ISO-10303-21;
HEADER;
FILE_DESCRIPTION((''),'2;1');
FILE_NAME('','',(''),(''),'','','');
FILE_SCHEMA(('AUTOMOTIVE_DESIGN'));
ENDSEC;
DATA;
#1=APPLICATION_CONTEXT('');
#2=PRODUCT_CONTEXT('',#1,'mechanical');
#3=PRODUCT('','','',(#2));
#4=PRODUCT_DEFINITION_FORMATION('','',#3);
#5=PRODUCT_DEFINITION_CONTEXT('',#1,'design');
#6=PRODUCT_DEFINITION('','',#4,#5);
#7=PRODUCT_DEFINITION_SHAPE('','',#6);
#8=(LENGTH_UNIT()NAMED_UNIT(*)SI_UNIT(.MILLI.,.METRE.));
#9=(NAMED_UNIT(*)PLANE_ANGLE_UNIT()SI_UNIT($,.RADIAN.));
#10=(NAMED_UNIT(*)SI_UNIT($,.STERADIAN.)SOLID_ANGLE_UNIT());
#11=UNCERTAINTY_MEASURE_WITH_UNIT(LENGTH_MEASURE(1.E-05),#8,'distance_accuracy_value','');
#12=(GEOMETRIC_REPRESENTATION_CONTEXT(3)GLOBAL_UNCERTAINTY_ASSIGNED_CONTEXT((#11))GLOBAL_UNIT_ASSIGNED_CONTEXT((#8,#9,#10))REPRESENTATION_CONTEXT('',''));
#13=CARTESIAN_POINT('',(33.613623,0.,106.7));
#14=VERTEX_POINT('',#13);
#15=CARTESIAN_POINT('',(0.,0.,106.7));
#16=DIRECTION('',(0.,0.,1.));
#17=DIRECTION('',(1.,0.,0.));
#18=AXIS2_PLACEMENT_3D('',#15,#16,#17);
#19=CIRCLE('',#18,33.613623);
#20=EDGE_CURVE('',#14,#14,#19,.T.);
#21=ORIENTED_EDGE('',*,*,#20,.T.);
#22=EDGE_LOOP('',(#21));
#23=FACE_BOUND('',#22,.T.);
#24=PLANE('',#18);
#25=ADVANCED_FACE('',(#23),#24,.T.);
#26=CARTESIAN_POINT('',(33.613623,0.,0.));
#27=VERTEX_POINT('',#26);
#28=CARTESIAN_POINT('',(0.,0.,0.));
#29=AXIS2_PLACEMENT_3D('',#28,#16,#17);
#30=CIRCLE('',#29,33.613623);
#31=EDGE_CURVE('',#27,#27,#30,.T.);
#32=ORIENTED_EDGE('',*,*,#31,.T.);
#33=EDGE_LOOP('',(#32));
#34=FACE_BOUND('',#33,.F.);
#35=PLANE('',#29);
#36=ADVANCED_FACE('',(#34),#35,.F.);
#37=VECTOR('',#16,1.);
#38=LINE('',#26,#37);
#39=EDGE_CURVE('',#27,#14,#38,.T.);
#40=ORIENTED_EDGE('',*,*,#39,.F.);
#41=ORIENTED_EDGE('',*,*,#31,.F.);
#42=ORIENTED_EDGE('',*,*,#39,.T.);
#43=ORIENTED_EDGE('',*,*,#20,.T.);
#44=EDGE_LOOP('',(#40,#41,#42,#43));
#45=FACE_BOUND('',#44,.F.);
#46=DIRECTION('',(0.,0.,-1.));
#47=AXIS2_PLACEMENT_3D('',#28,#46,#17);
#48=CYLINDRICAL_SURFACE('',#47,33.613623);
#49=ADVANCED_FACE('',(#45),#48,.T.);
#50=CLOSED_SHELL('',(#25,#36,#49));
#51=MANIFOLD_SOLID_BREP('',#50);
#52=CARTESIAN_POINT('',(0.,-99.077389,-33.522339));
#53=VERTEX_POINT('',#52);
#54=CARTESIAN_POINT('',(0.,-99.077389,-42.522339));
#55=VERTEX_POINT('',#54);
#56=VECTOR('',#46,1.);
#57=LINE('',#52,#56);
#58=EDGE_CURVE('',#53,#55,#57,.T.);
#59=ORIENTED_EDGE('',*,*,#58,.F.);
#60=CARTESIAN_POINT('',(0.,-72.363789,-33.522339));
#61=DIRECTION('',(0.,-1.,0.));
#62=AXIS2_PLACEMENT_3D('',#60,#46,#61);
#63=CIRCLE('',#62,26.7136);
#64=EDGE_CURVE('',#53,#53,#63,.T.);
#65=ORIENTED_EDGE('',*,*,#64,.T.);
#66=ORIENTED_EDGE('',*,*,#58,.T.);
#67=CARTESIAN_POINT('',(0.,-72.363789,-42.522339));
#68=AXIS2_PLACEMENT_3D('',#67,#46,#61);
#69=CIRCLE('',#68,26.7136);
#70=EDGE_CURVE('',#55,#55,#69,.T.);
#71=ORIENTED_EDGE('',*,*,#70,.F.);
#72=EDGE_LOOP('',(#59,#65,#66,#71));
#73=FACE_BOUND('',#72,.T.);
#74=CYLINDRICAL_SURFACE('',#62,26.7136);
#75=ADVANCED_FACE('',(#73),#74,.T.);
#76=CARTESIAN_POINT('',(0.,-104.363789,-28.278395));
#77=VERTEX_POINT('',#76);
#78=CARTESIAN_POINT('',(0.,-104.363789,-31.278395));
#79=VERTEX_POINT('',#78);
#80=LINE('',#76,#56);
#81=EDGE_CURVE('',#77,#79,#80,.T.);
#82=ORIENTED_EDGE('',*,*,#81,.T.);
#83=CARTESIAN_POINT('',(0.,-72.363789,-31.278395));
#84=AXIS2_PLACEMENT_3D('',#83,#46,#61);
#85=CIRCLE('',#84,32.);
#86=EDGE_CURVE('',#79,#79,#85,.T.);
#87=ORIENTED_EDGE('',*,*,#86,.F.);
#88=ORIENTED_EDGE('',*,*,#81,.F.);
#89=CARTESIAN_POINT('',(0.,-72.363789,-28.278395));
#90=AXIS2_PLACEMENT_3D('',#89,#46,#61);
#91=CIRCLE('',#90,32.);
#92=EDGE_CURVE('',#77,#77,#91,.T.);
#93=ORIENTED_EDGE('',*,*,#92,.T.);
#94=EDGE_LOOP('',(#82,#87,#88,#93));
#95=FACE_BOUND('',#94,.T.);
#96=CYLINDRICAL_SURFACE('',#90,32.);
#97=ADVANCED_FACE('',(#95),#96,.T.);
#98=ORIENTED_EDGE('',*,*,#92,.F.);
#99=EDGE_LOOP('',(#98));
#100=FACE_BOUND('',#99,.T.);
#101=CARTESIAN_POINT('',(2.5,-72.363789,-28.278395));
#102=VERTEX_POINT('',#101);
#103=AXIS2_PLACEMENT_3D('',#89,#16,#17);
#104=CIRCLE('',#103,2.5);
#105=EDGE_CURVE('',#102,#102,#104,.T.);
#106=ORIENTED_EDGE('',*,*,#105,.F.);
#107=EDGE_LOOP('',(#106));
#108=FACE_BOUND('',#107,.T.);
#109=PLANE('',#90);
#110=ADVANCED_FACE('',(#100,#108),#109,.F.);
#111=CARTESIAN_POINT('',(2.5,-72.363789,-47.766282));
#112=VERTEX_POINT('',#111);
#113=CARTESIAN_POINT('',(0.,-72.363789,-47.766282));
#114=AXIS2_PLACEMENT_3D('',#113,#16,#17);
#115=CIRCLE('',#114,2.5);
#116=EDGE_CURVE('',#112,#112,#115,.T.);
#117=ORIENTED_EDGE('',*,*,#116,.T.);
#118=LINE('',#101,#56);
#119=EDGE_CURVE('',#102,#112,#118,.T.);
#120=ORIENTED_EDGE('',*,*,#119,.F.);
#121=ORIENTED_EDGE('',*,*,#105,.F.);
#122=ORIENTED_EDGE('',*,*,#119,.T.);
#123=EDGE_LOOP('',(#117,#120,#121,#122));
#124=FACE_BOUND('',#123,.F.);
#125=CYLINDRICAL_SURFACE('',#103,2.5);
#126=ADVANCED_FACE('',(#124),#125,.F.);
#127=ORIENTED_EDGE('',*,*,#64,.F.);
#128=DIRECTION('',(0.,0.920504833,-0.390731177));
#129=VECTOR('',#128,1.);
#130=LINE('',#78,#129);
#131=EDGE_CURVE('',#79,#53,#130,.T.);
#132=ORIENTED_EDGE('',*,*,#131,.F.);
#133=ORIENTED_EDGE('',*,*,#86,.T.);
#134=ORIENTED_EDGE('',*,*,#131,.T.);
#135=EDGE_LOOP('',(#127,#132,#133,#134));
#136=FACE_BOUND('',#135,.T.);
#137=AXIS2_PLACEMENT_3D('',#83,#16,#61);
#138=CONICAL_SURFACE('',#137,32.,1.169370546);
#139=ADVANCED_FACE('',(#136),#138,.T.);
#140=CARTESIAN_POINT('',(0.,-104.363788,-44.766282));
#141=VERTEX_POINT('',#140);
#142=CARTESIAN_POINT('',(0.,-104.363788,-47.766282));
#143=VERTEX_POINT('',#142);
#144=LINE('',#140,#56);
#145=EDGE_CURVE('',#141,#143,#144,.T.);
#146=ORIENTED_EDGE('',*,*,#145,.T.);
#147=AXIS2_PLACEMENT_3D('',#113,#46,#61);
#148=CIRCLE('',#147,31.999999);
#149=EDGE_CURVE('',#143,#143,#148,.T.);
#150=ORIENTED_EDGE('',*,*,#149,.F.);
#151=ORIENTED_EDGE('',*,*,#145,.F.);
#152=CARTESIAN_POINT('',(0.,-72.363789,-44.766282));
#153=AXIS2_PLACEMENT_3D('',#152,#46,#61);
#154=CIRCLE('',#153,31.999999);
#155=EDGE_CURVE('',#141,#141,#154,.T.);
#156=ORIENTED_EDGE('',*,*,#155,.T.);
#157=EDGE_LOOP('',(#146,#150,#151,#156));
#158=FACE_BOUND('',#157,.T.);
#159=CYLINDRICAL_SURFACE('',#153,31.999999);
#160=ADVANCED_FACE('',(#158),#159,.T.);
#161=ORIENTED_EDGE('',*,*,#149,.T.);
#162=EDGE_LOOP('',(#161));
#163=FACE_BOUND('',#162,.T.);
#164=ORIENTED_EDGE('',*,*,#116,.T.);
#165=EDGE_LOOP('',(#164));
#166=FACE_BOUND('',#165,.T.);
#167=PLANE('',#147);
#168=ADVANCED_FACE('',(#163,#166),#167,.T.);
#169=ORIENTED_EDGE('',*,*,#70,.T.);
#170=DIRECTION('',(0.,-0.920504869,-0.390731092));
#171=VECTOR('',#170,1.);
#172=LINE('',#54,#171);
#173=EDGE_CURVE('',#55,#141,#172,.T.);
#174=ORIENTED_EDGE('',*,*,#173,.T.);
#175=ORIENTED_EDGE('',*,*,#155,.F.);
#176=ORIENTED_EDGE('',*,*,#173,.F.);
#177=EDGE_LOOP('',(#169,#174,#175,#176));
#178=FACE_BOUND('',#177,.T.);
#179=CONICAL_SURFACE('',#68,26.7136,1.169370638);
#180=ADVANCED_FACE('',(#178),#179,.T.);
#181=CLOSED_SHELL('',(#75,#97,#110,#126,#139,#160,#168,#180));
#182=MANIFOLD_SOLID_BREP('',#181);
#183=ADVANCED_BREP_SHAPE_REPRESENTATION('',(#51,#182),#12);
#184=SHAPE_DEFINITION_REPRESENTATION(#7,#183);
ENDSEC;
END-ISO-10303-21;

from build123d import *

# Parameters (mm, degrees)
F0_R     = 33.613623
F1_DEPTH = 106.7
F4_R     = 2.5
F5_DEPTH = 27.2


with BuildPart() as f1:
    # F0 (on Top) → F1 (new body)
    with BuildSketch(Plane.XY):
        Circle(F0_R)
    extrude(amount=F1_DEPTH)


with BuildPart() as f3:
    # F2 (on Right) → F3 (revolve)
    with BuildSketch(Plane.YZ):
        Polygon((-72.363789, -28.278395), (-104.363789, -28.278395), (-104.363789, -31.278395), (-99.077389, -33.522339), (-99.077389, -42.522339), (-104.363788, -44.766282), (-104.363788, -47.766282), (-72.363789, -47.766282), align=None)
    revolve(axis=Axis((0, -72.363789, -38.022339), (0, 0, -1)))

    # F4 (on face) → F5 (cut)
    with BuildSketch(Plane.XY.offset(-28.278395)):
        with Locations((0, -72.363789)):
            Circle(F4_R)
    extrude(amount=-F5_DEPTH, mode=Mode.SUBTRACT)


solid = Compound([f1.part, f3.part])
